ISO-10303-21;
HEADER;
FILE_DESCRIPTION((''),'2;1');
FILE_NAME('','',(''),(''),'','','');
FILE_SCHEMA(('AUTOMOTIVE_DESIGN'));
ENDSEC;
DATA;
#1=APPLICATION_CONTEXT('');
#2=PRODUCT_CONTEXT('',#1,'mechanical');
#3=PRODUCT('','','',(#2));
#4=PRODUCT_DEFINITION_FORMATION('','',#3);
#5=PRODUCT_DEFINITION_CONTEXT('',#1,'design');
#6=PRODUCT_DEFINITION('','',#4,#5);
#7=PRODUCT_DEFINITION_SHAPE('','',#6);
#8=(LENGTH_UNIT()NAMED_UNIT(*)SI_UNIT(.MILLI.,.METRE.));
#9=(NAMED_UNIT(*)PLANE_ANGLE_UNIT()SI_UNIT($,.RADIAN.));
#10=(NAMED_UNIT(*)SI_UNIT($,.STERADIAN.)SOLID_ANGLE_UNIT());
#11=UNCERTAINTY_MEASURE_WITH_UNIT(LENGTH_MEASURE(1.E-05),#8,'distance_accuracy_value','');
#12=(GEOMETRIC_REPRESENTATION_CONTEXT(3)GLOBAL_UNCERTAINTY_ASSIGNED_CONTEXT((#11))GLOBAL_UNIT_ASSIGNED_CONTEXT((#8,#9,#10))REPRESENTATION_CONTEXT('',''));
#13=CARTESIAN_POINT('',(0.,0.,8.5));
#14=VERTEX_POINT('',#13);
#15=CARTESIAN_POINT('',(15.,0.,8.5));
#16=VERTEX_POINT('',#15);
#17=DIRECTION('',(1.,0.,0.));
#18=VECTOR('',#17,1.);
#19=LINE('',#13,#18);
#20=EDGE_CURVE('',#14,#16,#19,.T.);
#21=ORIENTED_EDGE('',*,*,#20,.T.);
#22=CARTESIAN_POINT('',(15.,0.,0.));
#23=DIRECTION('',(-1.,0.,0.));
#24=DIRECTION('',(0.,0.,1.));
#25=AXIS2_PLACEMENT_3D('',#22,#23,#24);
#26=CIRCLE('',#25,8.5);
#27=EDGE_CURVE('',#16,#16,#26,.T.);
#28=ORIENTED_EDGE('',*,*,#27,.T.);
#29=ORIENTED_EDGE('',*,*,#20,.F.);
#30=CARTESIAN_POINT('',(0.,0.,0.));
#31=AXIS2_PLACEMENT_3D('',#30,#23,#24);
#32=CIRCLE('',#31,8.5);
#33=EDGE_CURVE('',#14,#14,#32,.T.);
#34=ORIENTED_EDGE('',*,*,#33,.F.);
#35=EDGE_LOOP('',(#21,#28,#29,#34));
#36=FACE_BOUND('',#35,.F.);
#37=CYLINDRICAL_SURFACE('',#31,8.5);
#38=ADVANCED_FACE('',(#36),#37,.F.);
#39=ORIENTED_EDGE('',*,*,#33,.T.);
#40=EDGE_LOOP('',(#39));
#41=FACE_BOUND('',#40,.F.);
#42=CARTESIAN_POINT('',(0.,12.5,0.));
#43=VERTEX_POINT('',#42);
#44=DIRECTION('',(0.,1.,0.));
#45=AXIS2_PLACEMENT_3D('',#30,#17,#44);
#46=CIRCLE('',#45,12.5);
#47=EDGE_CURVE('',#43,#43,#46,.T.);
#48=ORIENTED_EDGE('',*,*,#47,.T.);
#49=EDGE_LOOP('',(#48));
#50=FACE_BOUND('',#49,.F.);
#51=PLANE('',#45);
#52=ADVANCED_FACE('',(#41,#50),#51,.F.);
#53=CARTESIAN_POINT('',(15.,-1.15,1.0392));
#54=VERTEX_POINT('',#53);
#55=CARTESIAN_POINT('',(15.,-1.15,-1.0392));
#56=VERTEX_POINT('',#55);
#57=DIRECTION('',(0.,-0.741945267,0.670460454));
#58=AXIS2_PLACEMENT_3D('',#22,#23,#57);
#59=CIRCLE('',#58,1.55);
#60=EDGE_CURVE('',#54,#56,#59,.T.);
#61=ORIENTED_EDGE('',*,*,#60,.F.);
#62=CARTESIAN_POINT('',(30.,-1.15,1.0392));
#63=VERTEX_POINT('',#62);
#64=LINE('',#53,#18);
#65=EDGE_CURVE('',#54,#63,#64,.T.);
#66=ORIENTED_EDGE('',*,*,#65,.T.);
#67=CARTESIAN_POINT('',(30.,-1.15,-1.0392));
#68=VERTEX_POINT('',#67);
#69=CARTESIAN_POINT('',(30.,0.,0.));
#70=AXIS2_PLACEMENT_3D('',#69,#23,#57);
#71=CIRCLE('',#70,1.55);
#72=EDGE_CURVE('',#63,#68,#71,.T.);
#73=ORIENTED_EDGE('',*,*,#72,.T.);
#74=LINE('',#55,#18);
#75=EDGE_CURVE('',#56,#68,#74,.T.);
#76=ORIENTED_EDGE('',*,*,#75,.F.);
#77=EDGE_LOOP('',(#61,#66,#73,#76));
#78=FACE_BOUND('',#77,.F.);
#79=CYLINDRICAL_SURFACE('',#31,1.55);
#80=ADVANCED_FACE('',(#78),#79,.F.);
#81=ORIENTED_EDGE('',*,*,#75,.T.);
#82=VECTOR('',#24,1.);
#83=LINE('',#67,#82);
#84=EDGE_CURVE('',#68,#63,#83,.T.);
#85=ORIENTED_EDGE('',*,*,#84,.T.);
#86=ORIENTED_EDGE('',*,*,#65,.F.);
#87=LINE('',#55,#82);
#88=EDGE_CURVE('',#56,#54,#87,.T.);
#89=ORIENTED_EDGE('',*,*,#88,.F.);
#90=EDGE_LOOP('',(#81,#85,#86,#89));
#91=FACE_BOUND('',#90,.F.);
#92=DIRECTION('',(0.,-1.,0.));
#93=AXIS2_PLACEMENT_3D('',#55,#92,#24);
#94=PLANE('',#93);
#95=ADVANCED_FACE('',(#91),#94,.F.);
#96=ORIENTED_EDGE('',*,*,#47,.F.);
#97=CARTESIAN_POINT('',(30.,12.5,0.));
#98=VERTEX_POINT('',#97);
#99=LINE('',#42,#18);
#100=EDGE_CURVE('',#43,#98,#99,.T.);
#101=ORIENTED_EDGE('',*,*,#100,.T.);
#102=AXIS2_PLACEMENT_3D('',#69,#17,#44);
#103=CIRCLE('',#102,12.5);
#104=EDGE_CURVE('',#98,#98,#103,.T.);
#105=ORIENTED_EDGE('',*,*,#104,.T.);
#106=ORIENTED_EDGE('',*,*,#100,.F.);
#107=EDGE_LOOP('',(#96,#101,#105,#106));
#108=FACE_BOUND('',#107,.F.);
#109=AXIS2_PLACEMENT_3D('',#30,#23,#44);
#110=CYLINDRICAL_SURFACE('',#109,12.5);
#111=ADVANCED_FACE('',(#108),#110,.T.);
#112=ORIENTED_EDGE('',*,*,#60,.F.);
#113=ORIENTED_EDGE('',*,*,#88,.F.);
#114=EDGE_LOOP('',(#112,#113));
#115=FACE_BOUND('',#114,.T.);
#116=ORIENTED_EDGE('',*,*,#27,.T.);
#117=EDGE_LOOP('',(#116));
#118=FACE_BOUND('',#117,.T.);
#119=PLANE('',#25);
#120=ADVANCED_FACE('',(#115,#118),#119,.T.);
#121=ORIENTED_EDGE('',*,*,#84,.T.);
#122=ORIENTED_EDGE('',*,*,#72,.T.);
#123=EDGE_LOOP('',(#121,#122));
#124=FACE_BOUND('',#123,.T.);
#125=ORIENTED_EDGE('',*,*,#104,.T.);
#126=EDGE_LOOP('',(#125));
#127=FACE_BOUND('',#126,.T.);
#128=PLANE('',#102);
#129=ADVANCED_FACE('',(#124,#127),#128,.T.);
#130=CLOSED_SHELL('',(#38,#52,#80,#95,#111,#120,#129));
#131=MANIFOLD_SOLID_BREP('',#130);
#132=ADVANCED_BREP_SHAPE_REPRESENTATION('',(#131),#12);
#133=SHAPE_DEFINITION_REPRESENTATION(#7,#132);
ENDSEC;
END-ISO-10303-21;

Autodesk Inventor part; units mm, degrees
ref_plane "YZ Plane" through (0, 0, 0) normal (1, 0, 0) x (0, 1, 0)
ref_plane "XZ Plane" through (0, 0, 0) normal (0, 1, 0) x (-1, 0, 0)
ref_plane "XY Plane" through (0, 0, 0) normal (0, 0, 1) x (1, 0, 0)
sketch "Szkic1" plane through (0, 0, 0) normal (1, 0, 0) x (0, 1, 0)
  circle A0 centre (0, 0) radius 12.5
  dimension "d0" = 25
extrude "Wyciągnięcie proste1" add sketch "Szkic1" along normal blind 30
sketch "Szkic2" plane through (0, 0, 0) normal (-1, 0, 0) x (0, 0, 1)
  circle A0 centre (0, 0) radius 1.55
  dimension "d3" = 3.1
extrude "Wyciągnięcie proste2" cut sketch "Szkic2" against normal blind 30
sketch "Szkic4" plane through (0, 0, 0) normal (-1, 0, 0) x (0, 0, 1)
  circle A0 centre (0, 0) radius 12.5 projected
  circle A1 centre (0, 0) radius 8.5
  dimension "d6" = 4
extrude "Wyciągnięcie proste3" cut sketch "Szkic4" against normal blind 15 contours A1
sketch "Szkic5" plane through (15, 0, 0) normal (-1, 0, 0) x (0, 0, 1)
  circle A0 centre (0, 0) radius 1.55 projected
  circle A1 centre (0, 0) radius 1.55 projected
  line L0 (-1.0392, -1.15) -> (1.0392, -1.15)
  point P0 (0, -1.15)
  point P1 (1.0392, -1.15)
  point P2 (-1.0392, -1.15)
  dimension "d9" = 1.15
extrude "Wyciągnięcie proste4" add sketch "Szkic5" against normal up to surface (15 mm away) contours L0 A0 picked at (-0.2431, -1.2226)
properties part number "kolo"
